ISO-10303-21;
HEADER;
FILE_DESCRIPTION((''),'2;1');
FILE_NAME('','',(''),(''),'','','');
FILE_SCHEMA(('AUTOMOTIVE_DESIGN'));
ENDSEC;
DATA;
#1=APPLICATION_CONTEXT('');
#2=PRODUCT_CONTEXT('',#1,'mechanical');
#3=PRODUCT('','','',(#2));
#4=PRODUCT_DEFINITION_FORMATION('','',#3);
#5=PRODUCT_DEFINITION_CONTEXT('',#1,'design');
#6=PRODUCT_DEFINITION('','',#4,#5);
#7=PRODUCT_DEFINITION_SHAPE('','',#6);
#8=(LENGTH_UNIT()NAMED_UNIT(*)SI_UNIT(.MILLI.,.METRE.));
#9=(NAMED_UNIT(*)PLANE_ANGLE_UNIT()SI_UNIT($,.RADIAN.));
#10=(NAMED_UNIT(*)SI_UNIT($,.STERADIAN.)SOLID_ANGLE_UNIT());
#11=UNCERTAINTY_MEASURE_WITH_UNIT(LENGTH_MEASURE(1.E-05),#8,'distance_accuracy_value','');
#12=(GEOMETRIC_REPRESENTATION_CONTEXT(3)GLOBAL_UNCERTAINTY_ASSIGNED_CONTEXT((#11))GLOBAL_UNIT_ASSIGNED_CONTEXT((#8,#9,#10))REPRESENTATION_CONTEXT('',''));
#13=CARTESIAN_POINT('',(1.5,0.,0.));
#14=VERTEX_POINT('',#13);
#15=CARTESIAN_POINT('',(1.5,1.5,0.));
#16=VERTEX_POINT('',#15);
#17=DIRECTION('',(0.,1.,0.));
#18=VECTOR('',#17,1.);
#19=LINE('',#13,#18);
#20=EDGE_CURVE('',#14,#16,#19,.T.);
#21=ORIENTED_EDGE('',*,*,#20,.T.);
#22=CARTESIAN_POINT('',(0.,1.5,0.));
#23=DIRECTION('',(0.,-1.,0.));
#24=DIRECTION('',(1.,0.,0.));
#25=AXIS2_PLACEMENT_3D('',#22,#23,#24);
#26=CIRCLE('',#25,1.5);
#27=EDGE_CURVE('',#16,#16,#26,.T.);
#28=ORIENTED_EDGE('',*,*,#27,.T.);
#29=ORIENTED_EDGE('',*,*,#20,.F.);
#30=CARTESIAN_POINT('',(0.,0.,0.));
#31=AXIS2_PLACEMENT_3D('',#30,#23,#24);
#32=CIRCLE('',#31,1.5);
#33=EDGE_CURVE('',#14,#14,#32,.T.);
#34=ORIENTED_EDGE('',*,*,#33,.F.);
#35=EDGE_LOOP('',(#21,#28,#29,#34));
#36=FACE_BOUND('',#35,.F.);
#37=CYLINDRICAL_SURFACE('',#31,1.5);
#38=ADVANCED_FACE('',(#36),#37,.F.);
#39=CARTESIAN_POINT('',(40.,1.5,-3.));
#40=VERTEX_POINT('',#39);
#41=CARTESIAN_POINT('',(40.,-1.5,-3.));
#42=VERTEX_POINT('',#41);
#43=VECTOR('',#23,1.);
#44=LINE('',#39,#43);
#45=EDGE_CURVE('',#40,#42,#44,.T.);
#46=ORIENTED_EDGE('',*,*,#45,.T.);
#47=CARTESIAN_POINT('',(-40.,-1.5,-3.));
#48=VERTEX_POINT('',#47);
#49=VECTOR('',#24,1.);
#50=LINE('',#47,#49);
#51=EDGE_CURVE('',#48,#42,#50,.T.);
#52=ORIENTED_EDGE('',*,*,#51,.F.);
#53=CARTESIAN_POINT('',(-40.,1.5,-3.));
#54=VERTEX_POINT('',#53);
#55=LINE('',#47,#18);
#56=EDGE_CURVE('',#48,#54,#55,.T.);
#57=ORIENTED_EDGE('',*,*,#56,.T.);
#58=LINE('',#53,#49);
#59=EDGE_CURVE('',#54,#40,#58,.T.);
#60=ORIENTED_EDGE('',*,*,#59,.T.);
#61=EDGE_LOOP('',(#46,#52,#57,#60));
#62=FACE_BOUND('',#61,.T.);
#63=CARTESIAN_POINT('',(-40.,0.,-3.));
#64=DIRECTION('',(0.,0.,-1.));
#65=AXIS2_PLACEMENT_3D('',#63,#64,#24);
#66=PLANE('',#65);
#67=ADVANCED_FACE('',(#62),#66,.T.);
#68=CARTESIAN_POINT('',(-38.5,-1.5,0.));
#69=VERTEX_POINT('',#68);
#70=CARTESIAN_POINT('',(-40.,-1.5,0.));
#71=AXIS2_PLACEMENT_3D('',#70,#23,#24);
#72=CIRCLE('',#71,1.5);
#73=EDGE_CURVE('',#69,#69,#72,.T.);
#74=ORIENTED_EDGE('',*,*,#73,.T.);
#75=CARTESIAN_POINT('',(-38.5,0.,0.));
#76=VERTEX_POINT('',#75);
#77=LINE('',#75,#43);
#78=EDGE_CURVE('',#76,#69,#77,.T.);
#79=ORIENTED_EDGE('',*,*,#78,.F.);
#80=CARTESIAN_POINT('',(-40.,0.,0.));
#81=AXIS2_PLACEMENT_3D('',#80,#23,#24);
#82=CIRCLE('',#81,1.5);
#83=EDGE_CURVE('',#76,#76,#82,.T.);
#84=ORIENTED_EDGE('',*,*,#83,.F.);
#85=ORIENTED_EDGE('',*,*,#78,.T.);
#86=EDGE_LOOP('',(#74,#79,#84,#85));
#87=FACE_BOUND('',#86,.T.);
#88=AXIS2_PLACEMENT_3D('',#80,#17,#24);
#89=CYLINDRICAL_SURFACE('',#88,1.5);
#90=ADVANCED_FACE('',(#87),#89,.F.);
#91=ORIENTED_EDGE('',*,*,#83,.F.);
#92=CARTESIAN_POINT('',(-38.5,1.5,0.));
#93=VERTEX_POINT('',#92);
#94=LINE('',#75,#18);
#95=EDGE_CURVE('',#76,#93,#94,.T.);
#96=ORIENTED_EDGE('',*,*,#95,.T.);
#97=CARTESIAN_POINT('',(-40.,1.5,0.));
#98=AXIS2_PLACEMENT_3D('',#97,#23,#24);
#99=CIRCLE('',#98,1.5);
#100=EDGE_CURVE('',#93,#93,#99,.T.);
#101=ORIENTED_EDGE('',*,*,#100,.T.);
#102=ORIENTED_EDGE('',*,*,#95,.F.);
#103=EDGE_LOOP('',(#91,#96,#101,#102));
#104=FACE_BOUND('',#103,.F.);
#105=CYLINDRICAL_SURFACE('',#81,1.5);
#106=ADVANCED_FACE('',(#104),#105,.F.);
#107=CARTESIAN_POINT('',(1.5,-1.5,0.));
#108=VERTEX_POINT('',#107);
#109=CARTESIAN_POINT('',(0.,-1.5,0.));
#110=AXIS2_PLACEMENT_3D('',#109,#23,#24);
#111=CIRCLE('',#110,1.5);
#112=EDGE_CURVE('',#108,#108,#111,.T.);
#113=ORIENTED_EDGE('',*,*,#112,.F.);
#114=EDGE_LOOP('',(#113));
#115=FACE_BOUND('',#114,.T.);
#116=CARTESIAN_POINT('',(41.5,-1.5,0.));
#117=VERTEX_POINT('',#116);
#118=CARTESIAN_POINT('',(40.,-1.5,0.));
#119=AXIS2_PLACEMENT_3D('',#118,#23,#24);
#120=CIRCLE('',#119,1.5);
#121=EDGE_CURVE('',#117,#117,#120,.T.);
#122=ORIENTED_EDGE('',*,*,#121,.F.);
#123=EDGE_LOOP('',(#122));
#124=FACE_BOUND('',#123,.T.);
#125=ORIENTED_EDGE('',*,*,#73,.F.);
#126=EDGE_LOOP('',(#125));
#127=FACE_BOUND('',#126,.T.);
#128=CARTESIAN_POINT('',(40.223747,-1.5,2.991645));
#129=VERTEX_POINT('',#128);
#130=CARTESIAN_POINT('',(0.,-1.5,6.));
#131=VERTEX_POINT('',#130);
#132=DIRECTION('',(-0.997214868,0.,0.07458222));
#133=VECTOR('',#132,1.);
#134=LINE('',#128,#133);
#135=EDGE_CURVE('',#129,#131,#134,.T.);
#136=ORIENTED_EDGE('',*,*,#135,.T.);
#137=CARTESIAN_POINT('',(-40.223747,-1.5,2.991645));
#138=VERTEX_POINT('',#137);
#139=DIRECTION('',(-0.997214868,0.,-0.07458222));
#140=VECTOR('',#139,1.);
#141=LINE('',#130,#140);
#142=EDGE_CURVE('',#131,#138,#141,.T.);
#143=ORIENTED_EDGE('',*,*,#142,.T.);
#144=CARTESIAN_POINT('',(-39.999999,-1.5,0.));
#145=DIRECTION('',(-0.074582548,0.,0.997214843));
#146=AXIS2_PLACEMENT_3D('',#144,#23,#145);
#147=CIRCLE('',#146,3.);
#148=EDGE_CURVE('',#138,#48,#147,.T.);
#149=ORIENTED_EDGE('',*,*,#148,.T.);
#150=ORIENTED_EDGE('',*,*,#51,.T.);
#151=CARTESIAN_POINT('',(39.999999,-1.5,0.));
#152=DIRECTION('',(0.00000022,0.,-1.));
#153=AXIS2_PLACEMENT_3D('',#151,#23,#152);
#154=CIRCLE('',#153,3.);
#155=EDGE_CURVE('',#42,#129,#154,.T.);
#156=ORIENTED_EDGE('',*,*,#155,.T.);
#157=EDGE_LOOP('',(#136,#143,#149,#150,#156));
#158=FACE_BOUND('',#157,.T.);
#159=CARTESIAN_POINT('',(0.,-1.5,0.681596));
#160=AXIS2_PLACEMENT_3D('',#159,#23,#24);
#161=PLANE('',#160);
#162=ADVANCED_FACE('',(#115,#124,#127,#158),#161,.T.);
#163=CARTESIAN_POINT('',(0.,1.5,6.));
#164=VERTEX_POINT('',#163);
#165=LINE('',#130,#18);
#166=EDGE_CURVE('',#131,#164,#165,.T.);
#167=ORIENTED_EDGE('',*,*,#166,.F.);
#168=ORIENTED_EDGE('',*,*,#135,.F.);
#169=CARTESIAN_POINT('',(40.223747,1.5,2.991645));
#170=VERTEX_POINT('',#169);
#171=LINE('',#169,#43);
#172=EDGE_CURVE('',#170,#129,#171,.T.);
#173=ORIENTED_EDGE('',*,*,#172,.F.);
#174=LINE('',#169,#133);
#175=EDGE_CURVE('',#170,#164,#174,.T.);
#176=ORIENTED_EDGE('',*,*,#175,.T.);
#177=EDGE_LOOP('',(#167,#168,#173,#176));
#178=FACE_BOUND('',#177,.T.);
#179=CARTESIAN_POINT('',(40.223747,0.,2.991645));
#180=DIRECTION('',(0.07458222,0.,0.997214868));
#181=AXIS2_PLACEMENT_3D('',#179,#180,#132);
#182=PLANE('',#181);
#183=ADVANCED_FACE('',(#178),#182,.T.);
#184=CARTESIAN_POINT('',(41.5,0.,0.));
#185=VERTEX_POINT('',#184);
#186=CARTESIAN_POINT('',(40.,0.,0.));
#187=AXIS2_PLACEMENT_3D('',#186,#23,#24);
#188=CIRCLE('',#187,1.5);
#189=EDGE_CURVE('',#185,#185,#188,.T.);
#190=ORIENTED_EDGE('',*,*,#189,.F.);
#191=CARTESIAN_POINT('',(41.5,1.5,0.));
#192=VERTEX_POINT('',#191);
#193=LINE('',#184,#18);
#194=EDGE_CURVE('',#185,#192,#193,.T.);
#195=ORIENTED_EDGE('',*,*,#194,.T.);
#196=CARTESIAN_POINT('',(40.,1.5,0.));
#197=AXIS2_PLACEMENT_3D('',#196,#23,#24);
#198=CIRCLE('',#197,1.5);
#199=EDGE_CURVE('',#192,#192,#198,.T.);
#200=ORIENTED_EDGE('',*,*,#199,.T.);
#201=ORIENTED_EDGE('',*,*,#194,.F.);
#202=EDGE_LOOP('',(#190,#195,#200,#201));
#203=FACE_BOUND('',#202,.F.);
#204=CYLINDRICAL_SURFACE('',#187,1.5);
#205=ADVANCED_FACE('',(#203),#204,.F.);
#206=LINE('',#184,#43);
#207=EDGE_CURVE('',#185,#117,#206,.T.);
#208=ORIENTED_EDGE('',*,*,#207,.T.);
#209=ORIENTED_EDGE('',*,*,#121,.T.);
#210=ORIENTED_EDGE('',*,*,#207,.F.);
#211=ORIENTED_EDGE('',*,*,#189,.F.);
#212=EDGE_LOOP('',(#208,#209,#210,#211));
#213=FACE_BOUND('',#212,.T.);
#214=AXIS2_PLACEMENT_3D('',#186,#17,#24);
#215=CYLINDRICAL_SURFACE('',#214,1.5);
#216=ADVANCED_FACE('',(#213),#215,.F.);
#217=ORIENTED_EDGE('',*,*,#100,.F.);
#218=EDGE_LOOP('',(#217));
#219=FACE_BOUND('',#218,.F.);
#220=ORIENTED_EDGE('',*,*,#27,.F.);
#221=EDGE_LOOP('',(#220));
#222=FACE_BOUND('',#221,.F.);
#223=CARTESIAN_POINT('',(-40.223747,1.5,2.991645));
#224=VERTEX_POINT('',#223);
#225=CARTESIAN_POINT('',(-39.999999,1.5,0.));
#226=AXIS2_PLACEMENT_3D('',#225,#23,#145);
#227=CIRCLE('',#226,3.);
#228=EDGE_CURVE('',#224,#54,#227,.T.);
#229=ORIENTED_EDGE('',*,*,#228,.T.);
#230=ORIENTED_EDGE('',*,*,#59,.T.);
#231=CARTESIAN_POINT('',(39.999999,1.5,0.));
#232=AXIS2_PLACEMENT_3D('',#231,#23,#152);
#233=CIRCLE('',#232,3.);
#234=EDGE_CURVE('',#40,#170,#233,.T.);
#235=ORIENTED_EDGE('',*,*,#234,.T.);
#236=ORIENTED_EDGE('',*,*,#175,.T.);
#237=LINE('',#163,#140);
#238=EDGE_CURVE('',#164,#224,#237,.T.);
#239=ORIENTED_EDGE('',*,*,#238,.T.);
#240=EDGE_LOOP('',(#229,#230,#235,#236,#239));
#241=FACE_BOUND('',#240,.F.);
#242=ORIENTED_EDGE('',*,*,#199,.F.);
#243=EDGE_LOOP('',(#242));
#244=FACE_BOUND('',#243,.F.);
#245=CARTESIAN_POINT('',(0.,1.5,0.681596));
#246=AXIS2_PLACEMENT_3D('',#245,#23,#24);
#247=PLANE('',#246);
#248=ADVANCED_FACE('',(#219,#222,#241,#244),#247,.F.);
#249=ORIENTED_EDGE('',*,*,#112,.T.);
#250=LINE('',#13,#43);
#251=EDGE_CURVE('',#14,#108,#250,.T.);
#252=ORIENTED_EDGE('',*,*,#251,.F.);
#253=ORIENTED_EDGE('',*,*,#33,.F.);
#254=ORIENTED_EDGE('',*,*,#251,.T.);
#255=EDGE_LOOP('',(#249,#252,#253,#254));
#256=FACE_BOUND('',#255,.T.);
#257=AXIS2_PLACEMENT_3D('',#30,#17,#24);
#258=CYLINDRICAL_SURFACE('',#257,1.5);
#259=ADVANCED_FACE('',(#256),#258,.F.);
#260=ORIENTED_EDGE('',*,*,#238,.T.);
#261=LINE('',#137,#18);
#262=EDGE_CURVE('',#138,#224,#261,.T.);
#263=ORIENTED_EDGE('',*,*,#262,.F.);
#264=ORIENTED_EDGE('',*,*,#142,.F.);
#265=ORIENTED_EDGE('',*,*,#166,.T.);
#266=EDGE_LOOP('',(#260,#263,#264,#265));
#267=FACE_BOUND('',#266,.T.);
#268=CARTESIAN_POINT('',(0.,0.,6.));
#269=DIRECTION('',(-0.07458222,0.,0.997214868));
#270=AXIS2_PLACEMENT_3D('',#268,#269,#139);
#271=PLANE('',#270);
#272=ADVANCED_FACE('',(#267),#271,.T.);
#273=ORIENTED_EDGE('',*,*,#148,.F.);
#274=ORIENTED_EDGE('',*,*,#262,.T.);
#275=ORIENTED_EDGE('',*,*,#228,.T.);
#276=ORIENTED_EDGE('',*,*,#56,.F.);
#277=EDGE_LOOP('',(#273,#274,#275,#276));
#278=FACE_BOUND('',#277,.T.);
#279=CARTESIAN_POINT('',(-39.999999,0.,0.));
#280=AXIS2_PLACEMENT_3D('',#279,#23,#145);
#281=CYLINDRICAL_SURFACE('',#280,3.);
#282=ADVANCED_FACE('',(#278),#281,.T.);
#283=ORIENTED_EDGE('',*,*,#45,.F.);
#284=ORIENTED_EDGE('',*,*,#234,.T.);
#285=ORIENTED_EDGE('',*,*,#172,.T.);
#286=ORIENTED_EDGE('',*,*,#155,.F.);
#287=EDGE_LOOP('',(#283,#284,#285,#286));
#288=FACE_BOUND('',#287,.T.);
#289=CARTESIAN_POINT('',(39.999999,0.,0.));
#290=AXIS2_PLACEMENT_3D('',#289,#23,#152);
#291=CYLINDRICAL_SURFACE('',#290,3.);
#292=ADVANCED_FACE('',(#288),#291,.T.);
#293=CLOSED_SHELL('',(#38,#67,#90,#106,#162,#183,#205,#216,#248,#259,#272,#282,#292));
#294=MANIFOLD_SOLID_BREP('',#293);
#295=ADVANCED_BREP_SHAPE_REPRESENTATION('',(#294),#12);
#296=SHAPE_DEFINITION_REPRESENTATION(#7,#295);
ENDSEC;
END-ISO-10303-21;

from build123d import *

# Parameters (mm, degrees)
F0_R          = 1.5
F1_DEPTH      = 1.5
F1_DEPTH_BACK = 1.5


with BuildPart() as f1:
    # F0 (on Front) → F1 (new body, two sides)
    with BuildSketch(Plane.XZ) as f1_sk:
        with BuildLine():
            Line((-40, -3), (0, -3))
            Line((0, -3), (40, -3))
            ThreePointArc((40, -3), (42.99791, -0.111951), (40.223747, 2.991645))
            Line((40.223747, 2.991645), (0, 6))
            Line((0, 6), (-40.223747, 2.991645))
            ThreePointArc((-40.223747, 2.991645), (-42.99791, -0.111951), (-40, -3))
        make_face()
        with Locations((-40, 0)):
            Circle(F0_R, mode=Mode.SUBTRACT)
        Circle(F0_R, mode=Mode.SUBTRACT)
        with Locations((40, 0)):
            Circle(F0_R, mode=Mode.SUBTRACT)
    extrude(amount=F1_DEPTH)
    extrude(f1_sk.sketch, amount=-F1_DEPTH_BACK)


solid = f1.part
